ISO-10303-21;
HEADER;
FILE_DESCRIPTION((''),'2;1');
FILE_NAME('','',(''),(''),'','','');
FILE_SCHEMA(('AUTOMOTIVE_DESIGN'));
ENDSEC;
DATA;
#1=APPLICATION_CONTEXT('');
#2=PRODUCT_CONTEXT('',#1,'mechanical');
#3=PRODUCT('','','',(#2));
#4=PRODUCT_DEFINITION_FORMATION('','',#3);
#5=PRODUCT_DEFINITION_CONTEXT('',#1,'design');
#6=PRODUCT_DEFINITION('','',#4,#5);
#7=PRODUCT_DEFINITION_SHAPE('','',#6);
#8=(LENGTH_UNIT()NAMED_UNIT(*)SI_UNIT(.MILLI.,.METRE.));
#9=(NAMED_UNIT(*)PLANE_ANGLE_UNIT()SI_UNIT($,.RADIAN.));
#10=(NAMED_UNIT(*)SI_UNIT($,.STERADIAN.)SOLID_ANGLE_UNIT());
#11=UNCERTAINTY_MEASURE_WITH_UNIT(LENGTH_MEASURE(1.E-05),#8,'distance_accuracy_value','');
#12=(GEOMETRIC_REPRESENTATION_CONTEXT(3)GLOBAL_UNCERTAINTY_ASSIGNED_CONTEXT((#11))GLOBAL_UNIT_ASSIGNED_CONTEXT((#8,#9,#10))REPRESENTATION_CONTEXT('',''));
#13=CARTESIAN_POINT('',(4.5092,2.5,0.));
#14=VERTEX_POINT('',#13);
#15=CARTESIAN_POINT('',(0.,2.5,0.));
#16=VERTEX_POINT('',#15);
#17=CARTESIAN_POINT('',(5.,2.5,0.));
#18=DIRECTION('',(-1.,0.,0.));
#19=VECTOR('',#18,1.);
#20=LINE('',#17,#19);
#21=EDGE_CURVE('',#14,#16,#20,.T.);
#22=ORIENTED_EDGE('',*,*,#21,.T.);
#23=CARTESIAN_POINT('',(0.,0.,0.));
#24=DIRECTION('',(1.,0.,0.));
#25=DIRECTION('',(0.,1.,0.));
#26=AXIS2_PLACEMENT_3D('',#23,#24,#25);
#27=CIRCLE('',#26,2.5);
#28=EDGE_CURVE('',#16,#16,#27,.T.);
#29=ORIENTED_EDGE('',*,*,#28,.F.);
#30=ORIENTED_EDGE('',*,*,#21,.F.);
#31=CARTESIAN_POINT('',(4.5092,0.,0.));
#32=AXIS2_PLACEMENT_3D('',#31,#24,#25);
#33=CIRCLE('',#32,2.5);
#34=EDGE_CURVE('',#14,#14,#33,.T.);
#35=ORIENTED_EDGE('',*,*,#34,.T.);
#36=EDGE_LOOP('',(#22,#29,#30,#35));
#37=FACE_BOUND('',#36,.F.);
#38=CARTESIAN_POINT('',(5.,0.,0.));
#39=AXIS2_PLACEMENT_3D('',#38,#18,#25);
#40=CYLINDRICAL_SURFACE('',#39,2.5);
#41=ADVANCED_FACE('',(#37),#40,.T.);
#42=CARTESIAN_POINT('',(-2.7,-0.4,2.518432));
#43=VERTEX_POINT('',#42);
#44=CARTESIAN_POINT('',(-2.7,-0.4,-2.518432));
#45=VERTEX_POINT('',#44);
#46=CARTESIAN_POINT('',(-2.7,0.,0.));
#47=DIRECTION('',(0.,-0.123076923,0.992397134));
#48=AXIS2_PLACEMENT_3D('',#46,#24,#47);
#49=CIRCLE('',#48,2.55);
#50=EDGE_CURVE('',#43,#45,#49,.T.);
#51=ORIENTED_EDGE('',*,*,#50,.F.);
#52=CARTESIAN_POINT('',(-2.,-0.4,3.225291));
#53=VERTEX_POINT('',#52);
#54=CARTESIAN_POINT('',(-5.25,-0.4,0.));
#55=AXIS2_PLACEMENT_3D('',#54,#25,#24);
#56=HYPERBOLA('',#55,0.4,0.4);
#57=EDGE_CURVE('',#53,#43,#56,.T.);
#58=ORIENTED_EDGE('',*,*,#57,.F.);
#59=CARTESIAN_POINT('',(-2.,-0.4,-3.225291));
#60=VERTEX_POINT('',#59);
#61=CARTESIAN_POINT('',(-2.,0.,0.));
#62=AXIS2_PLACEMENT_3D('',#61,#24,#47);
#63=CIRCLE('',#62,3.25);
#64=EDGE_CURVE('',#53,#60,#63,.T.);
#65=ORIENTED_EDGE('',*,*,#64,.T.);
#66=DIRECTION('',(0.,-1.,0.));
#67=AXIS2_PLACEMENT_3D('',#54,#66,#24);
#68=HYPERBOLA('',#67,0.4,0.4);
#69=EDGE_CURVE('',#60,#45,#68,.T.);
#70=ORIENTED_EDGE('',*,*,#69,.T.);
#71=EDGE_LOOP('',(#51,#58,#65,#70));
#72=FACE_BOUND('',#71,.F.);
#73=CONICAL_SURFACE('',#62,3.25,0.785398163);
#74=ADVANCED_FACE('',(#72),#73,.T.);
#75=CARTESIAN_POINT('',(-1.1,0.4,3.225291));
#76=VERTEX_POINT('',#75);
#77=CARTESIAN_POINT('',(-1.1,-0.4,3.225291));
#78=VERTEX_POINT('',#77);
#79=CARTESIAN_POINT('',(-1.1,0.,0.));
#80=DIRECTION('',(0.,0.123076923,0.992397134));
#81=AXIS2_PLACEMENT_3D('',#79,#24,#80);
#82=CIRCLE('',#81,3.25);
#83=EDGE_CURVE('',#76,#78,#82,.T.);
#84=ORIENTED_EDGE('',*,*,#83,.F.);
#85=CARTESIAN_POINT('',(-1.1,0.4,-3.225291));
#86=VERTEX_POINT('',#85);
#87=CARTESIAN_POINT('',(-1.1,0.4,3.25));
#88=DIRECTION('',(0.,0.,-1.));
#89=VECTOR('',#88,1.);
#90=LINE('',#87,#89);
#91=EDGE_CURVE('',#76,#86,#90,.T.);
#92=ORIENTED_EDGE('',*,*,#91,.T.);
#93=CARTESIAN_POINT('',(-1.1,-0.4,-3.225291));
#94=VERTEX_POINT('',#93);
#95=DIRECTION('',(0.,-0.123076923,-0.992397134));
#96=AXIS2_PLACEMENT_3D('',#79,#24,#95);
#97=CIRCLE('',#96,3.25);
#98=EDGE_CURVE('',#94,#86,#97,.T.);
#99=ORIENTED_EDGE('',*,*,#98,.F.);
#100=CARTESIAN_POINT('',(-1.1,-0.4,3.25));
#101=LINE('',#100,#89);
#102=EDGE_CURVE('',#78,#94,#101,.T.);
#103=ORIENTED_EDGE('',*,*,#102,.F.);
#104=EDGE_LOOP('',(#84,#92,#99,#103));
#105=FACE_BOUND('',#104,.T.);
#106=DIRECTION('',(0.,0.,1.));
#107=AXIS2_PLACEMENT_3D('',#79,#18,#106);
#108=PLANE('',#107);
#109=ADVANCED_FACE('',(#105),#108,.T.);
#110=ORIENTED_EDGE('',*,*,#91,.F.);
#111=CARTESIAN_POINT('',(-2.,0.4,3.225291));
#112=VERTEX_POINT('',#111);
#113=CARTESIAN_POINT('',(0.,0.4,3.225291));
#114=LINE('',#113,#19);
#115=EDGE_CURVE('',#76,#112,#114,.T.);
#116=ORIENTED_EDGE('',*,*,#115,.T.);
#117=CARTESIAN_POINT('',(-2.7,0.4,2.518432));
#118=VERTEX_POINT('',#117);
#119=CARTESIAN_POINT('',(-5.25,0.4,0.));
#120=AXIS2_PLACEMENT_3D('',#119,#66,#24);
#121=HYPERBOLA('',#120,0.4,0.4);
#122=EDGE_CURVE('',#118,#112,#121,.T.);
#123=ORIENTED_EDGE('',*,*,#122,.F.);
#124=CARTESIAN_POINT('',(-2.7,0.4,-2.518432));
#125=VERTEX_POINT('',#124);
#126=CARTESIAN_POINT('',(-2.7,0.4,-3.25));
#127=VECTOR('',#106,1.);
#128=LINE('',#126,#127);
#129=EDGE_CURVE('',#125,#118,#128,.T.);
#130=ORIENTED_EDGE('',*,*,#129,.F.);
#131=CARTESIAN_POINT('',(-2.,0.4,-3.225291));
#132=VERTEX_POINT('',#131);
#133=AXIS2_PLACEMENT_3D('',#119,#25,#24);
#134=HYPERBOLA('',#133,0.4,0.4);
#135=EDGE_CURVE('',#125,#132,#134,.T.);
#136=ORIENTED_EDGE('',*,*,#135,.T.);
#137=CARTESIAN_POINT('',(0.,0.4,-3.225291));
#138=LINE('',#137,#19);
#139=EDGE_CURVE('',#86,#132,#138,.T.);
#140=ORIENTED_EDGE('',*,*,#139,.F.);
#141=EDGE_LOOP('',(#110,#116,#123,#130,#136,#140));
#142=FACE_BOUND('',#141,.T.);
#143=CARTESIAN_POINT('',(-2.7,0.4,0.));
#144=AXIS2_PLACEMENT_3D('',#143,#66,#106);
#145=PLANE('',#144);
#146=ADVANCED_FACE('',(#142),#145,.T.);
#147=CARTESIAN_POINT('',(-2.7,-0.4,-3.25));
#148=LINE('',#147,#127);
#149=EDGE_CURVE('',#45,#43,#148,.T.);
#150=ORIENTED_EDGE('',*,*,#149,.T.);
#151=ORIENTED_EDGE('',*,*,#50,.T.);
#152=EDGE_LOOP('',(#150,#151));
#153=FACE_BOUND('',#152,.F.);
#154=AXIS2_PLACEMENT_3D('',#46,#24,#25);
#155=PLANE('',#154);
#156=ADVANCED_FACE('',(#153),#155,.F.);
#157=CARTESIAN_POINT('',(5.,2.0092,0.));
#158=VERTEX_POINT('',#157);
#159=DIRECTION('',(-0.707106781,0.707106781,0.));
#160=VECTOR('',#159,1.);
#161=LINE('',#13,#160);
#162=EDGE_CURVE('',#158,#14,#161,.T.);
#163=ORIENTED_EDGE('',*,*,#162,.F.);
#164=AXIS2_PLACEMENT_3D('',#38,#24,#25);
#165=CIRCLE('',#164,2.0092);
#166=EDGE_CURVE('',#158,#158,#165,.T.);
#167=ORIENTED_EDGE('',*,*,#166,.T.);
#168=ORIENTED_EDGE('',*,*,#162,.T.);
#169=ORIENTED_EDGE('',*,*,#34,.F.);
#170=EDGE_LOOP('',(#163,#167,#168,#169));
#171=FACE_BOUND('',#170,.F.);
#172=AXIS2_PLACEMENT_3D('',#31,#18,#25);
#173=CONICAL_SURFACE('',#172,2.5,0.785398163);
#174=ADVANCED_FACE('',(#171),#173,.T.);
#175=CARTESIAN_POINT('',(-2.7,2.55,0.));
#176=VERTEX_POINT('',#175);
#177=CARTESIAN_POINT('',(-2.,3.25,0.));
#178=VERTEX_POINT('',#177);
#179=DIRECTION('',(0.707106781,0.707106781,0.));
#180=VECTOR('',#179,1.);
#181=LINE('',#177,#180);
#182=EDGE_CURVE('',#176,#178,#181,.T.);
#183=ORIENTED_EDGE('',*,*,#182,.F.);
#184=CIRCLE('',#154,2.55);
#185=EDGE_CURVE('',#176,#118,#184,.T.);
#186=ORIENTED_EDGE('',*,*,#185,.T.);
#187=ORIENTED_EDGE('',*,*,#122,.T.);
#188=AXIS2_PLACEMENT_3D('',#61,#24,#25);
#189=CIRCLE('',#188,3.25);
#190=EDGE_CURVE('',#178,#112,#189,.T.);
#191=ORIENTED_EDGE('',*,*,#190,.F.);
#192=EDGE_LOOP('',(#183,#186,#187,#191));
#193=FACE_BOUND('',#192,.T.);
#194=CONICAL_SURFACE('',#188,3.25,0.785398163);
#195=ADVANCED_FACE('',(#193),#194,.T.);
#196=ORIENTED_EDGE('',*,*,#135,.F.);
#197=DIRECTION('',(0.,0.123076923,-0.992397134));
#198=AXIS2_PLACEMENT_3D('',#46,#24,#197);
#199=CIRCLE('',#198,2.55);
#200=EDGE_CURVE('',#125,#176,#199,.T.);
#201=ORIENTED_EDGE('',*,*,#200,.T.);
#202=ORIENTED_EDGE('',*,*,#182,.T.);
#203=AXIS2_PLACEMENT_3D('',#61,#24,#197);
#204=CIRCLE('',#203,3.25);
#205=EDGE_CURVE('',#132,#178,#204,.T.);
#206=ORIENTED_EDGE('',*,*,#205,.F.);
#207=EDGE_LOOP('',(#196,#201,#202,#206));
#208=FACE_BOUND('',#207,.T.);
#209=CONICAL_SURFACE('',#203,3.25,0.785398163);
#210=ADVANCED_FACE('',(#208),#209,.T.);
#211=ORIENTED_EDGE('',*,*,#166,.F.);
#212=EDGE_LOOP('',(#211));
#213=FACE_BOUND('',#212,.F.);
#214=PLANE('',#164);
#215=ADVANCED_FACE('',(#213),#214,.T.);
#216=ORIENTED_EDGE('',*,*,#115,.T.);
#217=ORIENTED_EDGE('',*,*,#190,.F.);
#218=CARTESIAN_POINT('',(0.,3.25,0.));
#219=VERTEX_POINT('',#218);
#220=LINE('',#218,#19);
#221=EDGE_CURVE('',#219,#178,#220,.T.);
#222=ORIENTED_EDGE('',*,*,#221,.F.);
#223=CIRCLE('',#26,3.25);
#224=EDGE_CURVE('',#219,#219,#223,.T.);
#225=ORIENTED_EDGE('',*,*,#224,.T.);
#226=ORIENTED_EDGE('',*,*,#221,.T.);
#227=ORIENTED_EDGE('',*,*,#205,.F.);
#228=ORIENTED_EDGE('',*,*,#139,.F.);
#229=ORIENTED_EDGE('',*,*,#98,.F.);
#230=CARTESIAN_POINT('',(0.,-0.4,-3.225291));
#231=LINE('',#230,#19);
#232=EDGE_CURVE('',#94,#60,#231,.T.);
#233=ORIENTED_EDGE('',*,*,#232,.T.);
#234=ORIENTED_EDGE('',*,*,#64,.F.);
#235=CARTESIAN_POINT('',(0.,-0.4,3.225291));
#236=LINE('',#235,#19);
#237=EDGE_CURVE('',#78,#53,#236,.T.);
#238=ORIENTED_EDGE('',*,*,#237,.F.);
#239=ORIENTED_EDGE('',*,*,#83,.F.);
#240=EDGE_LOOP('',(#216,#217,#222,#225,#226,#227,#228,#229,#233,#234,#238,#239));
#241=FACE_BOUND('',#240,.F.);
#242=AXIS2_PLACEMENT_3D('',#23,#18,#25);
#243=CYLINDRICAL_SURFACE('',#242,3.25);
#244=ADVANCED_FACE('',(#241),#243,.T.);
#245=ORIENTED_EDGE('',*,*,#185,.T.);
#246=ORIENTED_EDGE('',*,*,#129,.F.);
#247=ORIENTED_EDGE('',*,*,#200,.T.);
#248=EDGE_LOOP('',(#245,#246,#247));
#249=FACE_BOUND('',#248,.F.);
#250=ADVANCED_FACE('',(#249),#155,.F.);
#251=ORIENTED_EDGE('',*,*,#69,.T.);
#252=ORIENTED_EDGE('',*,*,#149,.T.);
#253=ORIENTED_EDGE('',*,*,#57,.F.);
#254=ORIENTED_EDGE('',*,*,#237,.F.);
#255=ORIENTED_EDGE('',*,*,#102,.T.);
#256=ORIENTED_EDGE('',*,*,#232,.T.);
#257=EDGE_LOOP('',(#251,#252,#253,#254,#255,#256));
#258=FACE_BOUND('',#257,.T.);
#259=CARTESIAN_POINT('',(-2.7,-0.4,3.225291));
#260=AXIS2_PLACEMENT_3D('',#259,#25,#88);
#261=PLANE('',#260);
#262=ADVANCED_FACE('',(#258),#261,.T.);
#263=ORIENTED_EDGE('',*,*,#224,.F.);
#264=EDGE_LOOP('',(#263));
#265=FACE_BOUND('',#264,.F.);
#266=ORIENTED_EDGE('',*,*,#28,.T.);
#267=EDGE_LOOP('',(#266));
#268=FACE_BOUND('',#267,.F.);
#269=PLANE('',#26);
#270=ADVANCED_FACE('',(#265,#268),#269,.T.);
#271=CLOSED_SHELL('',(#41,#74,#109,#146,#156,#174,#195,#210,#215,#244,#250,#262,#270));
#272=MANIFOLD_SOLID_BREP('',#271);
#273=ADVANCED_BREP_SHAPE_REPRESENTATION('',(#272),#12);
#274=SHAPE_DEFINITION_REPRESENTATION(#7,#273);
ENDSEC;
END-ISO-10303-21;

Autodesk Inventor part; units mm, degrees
ref_plane "YZ Plane" through (0, 0, 0) normal (1, 0, 0) x (0, 1, 0)
ref_plane "XZ Plane" through (0, 0, 0) normal (0, 1, 0) x (-1, 0, 0)
sketch "Sketch1" plane through (0, 0, 0) normal (0, 0, 1) x (1, 0, 0)
  line L0 (-2.7, 0) -> (5, 0)
  line L1 (5, 0) -> (5, 2.5)
  line L2 (5, 2.5) -> (0, 2.5)
  line L3 (0, 2.5) -> (0, 3.25)
  line L4 (0, 3.25) -> (-2.7, 3.25)
  line L5 (-2.7, 3.25) -> (-2.7, 0)
  line L6 (-4.24, 0) -> (6.54, 0) projected
  line L7 (0, -0.65) -> (0, 3.9) projected
  dimension "d0" = 5
  dimension "d1" = 2.7
  dimension "d2" = 5
  dimension "d3" = 6.5
revolve "Body" add sketch "Sketch1" angle 360 about axis through (-2.7, 0, 0) along (1, 0, 0)
sketch "Sketch2" plane through (-2.7, 0, 0) normal (-1, 0, 0) x (0, 0, 1)
  circle A0 centre (0, 0) radius 3.25 projected
  line L0 (-4.55, 0) -> (4.55, 0) projected
  line L1 (0, -4.55) -> (0, 4.55) projected
  line L2 (-3.25, 0.4) -> (3.25, 0.4)
  line L3 (3.25, 0.4) -> (3.25, -0.4)
  line L4 (3.25, -0.4) -> (-3.25, -0.4)
  line L5 (-3.25, -0.4) -> (-3.25, 0.4)
  line L6 (-3.25, 0) -> (3.25, 0) construction
  line L7 (0, 0.4) -> (0, -0.4) construction
  dimension "d5" = 0.8
extrude "Slot" cut sketch "Sketch2" against normal blind 1.6 contours L0 L1 L2 A0 | L3 L4 A0 | A0 L4 L1 L0 | A0 L2 L3 | L1 L4 A0 L0 | L0 A0 L2 L1 | L5 L2 A0 | A0 L4 L5
chamfer "Chamfer1" distance 0.7 angle 45 3 edges at (-2.7, -3.25, 0) (-2.7, 2.4354, -2.152) (-2.7, 2.4354, 2.152) measured on face at (-0.9, -1.3953, 2.9352)
thread "Thread" size "M5x0.8" class "6g" standard "ISO Metric profile" length 3.4
chamfer "Chamfer2" distance 0.4908 distance2 0.4908 1 edges at (5, -2.5, 0) measured on face at (5, 0.9945, 0.5526)
ref_plane "Work Plane1" through (2.5, 0, 0) normal (0, 0, -1) x (1, 0, 0)
equation "\"d0\" = NLG"
equation "\"d1\" = KOH"
equation "\"d2\" = NND"
equation "\"d3\" = KOD"
equation "\"d5\" = SBR"
equation "\"d6\" = STI"
equation "\"d8\" = PHH"
equation "\"d16\" = PHH"
equation "\"d10\" = GEL"
equation "\"d12\" = -0.5 * GD1 + 0.5 * NND"
equation "\"d13\" = GUL"
equation "\"NND\" = 5"
equation "\"NLG\" = 5"
equation "\"GEL\" = 3.4"
equation "\"KOD\" = 6.5"
equation "\"KOH\" = 2.7"
equation "\"STI\" = 1.6"
equation "\"SBR\" = 0.8"
equation "\"GUL\" = 0.61345 * PTC"
equation "\"PHH\" = 0.7"
equation "\"GD1\" = THREADDIA - 1.2269 * PTC"
equation "\"THREADDIA\" = 5"
equation "\"TOA\" = 30deg"
equation "\"PTC\" = 0.8"
equation "\"GAL\" = 0.61345 * PTC"
properties part number "DIN 920 - M5 x 5" material "Steel, Mild"
